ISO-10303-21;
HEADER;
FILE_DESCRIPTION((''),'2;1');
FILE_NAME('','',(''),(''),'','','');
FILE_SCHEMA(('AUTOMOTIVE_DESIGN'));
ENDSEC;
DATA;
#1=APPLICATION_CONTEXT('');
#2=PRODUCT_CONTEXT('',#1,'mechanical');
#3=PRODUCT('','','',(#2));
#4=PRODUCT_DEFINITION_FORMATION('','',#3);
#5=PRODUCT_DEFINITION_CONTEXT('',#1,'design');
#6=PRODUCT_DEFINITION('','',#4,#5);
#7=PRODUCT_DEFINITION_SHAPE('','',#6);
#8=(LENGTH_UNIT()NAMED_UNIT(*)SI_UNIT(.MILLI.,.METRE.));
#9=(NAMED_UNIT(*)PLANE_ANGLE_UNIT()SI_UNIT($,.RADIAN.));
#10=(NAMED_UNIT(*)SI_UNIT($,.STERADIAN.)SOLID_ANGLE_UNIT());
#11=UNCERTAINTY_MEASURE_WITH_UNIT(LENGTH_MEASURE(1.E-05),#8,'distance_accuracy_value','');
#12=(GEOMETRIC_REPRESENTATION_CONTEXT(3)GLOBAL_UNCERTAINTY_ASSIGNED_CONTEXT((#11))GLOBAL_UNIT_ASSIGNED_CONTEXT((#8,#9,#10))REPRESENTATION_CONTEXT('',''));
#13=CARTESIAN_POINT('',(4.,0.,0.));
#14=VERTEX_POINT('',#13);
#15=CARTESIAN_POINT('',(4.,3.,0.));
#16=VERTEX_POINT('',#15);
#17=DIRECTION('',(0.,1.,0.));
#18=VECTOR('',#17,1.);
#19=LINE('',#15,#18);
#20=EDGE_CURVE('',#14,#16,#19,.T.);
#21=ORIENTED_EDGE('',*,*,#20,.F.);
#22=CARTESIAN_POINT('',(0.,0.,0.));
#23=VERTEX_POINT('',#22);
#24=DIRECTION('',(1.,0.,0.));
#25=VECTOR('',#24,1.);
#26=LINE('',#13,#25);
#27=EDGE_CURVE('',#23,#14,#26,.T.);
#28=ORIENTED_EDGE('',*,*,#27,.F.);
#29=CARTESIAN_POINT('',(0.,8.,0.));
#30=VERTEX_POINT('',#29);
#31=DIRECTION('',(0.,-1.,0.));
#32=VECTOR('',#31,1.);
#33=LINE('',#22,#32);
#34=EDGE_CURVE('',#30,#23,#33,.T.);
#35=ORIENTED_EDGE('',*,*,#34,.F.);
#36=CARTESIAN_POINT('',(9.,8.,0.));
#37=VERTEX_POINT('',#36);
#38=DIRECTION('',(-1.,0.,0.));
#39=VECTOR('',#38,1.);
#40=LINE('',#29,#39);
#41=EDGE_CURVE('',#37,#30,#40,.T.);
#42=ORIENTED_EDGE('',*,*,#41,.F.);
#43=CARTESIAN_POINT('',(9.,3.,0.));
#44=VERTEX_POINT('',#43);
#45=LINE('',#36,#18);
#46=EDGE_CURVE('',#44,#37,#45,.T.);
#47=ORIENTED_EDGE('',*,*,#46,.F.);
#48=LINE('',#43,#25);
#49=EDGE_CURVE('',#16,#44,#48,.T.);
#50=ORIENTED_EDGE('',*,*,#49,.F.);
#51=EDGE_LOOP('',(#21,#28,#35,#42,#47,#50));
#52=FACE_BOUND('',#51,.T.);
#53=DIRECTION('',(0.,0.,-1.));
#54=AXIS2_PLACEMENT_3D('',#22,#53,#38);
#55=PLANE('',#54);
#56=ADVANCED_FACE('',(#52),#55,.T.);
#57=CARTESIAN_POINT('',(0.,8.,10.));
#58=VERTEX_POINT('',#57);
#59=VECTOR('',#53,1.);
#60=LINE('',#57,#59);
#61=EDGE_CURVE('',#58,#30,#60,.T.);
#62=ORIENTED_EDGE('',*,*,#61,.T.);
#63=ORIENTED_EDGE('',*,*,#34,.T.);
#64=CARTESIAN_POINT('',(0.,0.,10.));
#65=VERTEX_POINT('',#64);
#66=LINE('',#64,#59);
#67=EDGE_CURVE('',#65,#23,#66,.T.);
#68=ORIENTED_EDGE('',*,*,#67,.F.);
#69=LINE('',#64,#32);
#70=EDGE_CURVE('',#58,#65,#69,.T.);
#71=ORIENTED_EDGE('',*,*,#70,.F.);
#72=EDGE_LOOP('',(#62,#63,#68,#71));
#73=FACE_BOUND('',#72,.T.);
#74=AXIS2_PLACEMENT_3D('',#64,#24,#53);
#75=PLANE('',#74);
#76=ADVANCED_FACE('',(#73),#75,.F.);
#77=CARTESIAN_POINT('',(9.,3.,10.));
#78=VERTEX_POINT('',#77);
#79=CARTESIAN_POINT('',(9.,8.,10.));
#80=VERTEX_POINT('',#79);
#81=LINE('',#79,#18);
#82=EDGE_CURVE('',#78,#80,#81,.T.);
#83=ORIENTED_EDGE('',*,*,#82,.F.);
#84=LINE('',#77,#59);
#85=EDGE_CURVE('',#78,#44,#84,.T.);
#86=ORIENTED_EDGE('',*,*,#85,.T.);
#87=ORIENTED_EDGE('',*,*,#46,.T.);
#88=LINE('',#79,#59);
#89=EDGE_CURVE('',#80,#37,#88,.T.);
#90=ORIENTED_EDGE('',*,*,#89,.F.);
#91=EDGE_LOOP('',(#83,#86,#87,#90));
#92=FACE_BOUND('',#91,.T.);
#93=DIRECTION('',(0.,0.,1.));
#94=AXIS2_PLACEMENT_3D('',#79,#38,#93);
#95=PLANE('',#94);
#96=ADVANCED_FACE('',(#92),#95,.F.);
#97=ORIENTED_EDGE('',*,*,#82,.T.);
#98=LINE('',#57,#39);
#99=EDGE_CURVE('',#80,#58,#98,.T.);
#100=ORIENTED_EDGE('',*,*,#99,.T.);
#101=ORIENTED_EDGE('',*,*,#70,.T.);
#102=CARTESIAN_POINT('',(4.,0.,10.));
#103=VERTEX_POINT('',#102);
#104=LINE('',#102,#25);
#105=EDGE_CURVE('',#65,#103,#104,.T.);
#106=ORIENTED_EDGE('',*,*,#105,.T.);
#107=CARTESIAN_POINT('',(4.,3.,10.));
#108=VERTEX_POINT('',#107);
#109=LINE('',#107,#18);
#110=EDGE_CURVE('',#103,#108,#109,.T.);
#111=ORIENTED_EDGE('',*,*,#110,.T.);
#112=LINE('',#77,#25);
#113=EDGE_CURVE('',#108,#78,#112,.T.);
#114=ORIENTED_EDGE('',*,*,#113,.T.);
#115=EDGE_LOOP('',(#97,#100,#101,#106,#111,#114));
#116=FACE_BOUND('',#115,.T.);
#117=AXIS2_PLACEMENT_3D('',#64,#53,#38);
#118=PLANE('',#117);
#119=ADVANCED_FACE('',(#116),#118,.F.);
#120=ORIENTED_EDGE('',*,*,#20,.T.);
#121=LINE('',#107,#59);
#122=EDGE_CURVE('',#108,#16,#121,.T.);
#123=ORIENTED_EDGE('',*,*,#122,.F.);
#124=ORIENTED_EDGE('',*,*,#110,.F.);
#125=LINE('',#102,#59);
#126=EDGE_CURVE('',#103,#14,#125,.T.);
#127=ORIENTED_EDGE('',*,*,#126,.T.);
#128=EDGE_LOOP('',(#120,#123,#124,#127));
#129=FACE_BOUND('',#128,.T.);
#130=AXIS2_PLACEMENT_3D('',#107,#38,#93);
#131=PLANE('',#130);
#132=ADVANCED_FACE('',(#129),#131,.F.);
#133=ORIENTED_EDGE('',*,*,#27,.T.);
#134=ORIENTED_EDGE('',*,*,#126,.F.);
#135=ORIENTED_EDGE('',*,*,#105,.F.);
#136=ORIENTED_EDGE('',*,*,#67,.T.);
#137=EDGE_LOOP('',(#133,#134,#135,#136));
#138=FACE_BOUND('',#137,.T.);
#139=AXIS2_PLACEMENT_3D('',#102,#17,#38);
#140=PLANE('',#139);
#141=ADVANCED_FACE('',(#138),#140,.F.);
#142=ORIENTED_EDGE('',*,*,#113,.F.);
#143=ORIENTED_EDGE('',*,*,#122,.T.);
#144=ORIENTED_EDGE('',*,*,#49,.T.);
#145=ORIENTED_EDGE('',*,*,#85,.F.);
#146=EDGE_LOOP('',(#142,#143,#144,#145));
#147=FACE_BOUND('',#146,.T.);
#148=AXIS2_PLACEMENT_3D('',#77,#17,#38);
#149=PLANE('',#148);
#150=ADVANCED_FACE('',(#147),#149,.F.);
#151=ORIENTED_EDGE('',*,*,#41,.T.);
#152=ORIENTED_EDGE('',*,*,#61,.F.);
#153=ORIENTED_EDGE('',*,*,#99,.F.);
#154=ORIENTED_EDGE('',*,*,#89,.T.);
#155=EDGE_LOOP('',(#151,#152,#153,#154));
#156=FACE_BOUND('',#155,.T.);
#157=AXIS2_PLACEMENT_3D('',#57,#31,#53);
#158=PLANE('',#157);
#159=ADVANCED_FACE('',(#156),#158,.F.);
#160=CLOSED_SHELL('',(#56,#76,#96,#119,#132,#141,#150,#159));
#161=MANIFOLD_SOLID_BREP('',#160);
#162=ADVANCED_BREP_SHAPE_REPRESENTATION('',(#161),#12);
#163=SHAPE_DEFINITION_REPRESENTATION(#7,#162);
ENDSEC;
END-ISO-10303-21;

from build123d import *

# Parameters (mm, degrees)
BOSS_EXTRUDE1_DEPTH = 10


with BuildPart() as part:
    # Sketch1 → Boss-Extrude1 (new body)
    with BuildSketch(Plane.XY):
        Polygon((0, 0), (0, 8), (9, 8), (9, 3), (4, 3), (4, 0), align=None)
    extrude(amount=BOSS_EXTRUDE1_DEPTH)


solid = part.part
